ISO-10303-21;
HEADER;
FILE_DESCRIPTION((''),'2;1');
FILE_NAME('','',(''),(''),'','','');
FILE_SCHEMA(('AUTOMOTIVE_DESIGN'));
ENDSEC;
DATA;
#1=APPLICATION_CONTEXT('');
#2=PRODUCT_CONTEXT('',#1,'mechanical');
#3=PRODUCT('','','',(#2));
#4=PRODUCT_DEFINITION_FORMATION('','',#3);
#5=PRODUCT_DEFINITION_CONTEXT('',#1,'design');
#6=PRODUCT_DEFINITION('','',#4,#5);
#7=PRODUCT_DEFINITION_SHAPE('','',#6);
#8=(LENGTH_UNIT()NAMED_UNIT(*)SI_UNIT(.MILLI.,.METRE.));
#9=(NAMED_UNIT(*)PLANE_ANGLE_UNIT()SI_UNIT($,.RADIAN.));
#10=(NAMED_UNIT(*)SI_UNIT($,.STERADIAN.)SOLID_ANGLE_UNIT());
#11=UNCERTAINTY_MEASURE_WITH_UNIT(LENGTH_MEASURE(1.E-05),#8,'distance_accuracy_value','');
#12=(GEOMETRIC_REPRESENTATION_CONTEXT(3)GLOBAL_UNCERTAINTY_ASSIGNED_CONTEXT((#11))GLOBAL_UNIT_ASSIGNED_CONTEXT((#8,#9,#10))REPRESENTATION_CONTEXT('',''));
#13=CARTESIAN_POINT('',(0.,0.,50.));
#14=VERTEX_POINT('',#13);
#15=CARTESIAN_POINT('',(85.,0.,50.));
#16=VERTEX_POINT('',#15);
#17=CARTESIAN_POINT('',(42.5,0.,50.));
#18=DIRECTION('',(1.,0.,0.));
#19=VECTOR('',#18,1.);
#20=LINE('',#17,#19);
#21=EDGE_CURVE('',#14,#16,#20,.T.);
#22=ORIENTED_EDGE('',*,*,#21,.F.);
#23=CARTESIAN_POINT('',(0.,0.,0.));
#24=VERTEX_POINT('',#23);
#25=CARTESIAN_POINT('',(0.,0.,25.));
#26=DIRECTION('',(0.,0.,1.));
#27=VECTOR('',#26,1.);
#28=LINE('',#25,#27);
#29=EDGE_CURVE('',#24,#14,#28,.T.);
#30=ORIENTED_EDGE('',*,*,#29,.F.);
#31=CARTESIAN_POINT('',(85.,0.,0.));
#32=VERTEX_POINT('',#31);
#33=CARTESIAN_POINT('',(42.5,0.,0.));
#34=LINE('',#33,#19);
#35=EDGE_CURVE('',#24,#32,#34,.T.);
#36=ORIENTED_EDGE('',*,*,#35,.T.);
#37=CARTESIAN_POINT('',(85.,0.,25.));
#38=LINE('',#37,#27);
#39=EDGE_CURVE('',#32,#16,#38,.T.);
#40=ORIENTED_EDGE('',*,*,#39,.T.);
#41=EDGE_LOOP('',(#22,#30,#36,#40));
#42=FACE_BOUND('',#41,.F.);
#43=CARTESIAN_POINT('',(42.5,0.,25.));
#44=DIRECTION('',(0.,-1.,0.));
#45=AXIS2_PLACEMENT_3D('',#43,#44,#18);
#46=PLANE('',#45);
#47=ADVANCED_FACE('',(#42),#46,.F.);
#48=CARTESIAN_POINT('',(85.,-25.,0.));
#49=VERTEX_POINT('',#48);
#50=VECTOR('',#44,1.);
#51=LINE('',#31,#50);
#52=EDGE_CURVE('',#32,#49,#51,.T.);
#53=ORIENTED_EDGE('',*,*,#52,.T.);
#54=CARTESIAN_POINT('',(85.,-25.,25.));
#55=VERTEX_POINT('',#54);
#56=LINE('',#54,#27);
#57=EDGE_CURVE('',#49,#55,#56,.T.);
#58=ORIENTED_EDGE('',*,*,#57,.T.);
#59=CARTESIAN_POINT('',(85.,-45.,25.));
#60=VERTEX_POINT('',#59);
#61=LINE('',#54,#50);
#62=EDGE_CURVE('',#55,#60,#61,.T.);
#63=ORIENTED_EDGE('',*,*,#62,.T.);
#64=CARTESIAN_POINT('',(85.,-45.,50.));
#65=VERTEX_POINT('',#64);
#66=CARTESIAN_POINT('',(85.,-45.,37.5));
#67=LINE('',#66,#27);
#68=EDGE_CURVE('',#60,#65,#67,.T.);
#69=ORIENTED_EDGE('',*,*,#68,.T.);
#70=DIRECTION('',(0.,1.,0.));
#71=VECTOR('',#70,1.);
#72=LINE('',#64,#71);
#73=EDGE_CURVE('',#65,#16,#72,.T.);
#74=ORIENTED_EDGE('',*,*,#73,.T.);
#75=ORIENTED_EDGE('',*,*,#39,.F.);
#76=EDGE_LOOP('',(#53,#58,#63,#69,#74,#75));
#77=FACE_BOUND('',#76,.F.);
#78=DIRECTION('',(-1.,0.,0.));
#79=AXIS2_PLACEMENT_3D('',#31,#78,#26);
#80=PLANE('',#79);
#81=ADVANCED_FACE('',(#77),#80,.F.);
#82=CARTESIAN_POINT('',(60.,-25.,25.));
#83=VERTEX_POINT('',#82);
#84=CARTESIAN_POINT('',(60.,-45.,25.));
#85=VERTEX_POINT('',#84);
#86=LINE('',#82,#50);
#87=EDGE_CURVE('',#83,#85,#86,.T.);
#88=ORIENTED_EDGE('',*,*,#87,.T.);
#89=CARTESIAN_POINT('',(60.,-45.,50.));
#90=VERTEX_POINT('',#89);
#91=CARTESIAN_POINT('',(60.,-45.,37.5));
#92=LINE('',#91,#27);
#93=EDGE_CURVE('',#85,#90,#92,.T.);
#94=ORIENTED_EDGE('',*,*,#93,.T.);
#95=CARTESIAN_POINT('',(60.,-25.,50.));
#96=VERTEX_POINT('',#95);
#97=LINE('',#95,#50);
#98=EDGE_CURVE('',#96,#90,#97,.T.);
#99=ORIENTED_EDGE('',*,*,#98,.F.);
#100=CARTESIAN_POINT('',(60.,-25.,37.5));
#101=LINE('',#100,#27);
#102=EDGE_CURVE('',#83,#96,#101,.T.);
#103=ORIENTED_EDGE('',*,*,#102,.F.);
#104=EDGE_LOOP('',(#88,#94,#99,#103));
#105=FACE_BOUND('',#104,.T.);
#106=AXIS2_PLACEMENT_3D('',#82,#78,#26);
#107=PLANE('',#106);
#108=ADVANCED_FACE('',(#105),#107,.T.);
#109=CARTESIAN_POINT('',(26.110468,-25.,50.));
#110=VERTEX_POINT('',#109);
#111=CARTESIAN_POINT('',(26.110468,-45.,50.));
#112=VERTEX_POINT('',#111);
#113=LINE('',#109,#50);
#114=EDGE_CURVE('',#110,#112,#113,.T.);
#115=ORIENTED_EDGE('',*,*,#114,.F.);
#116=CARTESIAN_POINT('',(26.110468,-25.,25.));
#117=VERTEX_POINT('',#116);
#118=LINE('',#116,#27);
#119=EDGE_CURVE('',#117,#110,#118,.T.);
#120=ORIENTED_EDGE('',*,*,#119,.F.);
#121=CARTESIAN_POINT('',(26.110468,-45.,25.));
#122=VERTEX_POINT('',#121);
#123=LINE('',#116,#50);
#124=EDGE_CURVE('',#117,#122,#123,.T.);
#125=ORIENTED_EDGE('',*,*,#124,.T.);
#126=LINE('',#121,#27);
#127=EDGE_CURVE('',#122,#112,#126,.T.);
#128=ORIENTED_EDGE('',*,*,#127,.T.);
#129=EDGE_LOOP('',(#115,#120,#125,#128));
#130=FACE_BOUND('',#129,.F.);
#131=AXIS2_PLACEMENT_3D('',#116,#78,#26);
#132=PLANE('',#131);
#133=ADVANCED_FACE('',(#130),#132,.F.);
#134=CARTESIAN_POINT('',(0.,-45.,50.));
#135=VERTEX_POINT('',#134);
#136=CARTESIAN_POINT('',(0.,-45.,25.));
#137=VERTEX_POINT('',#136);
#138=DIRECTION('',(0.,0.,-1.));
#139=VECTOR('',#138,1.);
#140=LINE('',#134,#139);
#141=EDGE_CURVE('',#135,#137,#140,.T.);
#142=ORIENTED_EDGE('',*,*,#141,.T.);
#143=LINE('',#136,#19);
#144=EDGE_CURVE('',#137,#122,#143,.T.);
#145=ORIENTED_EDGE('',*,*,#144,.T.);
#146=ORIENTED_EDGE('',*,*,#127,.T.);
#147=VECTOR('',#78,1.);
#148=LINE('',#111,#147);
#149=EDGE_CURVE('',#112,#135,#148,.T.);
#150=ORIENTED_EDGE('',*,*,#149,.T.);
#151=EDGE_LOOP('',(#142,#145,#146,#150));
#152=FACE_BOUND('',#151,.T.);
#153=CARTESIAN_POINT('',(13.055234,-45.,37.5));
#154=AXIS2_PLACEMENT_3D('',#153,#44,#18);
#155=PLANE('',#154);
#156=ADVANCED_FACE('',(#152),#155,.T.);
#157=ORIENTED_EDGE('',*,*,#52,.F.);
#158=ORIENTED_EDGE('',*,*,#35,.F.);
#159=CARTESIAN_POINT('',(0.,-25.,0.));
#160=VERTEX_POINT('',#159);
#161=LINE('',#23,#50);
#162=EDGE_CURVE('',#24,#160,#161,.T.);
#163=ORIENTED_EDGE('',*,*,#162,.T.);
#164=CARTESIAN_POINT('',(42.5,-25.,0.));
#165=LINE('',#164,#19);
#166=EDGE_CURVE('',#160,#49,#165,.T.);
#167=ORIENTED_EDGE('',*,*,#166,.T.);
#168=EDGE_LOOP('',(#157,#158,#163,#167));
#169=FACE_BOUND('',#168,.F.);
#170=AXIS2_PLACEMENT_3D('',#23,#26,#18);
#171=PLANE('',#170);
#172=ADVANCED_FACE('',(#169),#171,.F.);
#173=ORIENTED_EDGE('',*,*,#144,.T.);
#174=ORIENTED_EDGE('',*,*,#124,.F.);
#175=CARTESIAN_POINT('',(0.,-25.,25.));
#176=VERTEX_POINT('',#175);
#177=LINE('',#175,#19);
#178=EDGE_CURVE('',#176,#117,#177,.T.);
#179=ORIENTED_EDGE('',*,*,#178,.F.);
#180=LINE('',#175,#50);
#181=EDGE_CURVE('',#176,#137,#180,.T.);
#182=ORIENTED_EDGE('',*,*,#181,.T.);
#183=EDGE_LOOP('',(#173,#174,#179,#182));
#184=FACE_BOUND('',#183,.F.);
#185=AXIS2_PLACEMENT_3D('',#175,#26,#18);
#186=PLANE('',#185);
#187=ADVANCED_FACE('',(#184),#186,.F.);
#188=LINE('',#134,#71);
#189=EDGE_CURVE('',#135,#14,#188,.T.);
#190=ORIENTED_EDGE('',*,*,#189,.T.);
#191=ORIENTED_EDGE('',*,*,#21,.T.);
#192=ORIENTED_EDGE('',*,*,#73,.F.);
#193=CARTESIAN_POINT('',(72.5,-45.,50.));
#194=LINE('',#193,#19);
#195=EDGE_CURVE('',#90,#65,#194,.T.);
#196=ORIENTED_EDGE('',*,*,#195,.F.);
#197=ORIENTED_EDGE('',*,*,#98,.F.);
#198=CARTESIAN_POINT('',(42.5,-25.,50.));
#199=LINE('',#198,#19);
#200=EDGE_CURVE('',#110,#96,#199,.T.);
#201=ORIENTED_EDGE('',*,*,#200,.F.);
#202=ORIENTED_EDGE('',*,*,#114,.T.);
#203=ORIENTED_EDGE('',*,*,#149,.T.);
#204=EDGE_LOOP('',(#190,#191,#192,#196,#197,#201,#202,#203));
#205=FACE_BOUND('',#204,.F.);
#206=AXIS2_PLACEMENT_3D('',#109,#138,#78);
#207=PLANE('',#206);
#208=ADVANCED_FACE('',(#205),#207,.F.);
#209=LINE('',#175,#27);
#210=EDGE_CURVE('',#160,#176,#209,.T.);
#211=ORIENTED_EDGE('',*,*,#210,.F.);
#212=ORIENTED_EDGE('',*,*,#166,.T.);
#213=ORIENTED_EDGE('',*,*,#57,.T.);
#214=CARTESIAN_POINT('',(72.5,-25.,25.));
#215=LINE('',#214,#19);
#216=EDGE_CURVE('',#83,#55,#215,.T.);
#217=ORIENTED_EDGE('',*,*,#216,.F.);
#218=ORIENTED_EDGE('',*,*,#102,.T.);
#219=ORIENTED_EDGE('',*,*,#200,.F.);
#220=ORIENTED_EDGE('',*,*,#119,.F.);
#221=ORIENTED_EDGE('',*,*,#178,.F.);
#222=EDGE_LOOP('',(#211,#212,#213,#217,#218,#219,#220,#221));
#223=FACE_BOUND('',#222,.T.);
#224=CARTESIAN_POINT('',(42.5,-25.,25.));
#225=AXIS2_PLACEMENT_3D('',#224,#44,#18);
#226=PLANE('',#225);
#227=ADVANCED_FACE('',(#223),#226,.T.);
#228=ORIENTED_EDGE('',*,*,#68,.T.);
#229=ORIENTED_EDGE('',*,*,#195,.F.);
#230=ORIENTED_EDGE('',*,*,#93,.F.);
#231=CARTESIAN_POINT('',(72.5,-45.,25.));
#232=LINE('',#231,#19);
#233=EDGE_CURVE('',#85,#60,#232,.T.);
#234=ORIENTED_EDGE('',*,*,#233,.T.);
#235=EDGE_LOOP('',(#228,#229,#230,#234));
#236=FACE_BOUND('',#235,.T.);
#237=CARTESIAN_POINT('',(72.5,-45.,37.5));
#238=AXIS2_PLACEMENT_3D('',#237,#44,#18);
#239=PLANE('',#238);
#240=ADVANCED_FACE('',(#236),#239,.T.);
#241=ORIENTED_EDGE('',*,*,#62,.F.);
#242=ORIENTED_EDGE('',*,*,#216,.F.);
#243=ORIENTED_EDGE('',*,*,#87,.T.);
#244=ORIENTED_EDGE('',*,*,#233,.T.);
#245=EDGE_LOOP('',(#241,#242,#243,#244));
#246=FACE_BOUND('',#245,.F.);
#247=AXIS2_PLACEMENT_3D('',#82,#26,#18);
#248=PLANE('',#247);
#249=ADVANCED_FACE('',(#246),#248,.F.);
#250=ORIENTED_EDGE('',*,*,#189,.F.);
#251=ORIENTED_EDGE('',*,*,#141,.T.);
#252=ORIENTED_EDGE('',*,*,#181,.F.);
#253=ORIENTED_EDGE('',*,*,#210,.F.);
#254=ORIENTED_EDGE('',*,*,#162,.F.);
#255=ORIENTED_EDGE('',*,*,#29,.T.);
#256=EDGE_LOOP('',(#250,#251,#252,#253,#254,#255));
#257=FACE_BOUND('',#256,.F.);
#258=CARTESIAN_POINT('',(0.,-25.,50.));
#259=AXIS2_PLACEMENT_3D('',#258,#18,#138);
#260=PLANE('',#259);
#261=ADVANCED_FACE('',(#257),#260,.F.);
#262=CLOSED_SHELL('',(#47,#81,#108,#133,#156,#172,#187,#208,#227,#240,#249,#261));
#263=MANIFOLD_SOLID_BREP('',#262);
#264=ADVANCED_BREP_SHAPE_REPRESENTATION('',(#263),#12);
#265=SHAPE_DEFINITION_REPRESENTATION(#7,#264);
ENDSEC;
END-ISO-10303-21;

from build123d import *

# Parameters (mm, degrees)
F0_W     = 85
F0_H     = 50
F1_DEPTH = 25
F2_W     = 25
F2_H     = 25
F3_DEPTH = 20


with BuildPart() as f1:
    # F0 (on Front) → F1 (new body)
    with BuildSketch(Plane.XZ):
        with Locations((42.5, 25)):
            Rectangle(F0_W, F0_H)
    extrude(amount=F1_DEPTH)

    # F2 (on face) → F3 (join)
    with BuildSketch(Plane.XZ.offset(25)):
        Polygon((25, 50), (0, 50), (0, 27.667489), (0, 25), (26.110468, 25), (26.110468, 50), align=None)
        with Locations((72.5, 37.5)):
            Rectangle(F2_W, F2_H)
    extrude(amount=F3_DEPTH)


solid = f1.part
